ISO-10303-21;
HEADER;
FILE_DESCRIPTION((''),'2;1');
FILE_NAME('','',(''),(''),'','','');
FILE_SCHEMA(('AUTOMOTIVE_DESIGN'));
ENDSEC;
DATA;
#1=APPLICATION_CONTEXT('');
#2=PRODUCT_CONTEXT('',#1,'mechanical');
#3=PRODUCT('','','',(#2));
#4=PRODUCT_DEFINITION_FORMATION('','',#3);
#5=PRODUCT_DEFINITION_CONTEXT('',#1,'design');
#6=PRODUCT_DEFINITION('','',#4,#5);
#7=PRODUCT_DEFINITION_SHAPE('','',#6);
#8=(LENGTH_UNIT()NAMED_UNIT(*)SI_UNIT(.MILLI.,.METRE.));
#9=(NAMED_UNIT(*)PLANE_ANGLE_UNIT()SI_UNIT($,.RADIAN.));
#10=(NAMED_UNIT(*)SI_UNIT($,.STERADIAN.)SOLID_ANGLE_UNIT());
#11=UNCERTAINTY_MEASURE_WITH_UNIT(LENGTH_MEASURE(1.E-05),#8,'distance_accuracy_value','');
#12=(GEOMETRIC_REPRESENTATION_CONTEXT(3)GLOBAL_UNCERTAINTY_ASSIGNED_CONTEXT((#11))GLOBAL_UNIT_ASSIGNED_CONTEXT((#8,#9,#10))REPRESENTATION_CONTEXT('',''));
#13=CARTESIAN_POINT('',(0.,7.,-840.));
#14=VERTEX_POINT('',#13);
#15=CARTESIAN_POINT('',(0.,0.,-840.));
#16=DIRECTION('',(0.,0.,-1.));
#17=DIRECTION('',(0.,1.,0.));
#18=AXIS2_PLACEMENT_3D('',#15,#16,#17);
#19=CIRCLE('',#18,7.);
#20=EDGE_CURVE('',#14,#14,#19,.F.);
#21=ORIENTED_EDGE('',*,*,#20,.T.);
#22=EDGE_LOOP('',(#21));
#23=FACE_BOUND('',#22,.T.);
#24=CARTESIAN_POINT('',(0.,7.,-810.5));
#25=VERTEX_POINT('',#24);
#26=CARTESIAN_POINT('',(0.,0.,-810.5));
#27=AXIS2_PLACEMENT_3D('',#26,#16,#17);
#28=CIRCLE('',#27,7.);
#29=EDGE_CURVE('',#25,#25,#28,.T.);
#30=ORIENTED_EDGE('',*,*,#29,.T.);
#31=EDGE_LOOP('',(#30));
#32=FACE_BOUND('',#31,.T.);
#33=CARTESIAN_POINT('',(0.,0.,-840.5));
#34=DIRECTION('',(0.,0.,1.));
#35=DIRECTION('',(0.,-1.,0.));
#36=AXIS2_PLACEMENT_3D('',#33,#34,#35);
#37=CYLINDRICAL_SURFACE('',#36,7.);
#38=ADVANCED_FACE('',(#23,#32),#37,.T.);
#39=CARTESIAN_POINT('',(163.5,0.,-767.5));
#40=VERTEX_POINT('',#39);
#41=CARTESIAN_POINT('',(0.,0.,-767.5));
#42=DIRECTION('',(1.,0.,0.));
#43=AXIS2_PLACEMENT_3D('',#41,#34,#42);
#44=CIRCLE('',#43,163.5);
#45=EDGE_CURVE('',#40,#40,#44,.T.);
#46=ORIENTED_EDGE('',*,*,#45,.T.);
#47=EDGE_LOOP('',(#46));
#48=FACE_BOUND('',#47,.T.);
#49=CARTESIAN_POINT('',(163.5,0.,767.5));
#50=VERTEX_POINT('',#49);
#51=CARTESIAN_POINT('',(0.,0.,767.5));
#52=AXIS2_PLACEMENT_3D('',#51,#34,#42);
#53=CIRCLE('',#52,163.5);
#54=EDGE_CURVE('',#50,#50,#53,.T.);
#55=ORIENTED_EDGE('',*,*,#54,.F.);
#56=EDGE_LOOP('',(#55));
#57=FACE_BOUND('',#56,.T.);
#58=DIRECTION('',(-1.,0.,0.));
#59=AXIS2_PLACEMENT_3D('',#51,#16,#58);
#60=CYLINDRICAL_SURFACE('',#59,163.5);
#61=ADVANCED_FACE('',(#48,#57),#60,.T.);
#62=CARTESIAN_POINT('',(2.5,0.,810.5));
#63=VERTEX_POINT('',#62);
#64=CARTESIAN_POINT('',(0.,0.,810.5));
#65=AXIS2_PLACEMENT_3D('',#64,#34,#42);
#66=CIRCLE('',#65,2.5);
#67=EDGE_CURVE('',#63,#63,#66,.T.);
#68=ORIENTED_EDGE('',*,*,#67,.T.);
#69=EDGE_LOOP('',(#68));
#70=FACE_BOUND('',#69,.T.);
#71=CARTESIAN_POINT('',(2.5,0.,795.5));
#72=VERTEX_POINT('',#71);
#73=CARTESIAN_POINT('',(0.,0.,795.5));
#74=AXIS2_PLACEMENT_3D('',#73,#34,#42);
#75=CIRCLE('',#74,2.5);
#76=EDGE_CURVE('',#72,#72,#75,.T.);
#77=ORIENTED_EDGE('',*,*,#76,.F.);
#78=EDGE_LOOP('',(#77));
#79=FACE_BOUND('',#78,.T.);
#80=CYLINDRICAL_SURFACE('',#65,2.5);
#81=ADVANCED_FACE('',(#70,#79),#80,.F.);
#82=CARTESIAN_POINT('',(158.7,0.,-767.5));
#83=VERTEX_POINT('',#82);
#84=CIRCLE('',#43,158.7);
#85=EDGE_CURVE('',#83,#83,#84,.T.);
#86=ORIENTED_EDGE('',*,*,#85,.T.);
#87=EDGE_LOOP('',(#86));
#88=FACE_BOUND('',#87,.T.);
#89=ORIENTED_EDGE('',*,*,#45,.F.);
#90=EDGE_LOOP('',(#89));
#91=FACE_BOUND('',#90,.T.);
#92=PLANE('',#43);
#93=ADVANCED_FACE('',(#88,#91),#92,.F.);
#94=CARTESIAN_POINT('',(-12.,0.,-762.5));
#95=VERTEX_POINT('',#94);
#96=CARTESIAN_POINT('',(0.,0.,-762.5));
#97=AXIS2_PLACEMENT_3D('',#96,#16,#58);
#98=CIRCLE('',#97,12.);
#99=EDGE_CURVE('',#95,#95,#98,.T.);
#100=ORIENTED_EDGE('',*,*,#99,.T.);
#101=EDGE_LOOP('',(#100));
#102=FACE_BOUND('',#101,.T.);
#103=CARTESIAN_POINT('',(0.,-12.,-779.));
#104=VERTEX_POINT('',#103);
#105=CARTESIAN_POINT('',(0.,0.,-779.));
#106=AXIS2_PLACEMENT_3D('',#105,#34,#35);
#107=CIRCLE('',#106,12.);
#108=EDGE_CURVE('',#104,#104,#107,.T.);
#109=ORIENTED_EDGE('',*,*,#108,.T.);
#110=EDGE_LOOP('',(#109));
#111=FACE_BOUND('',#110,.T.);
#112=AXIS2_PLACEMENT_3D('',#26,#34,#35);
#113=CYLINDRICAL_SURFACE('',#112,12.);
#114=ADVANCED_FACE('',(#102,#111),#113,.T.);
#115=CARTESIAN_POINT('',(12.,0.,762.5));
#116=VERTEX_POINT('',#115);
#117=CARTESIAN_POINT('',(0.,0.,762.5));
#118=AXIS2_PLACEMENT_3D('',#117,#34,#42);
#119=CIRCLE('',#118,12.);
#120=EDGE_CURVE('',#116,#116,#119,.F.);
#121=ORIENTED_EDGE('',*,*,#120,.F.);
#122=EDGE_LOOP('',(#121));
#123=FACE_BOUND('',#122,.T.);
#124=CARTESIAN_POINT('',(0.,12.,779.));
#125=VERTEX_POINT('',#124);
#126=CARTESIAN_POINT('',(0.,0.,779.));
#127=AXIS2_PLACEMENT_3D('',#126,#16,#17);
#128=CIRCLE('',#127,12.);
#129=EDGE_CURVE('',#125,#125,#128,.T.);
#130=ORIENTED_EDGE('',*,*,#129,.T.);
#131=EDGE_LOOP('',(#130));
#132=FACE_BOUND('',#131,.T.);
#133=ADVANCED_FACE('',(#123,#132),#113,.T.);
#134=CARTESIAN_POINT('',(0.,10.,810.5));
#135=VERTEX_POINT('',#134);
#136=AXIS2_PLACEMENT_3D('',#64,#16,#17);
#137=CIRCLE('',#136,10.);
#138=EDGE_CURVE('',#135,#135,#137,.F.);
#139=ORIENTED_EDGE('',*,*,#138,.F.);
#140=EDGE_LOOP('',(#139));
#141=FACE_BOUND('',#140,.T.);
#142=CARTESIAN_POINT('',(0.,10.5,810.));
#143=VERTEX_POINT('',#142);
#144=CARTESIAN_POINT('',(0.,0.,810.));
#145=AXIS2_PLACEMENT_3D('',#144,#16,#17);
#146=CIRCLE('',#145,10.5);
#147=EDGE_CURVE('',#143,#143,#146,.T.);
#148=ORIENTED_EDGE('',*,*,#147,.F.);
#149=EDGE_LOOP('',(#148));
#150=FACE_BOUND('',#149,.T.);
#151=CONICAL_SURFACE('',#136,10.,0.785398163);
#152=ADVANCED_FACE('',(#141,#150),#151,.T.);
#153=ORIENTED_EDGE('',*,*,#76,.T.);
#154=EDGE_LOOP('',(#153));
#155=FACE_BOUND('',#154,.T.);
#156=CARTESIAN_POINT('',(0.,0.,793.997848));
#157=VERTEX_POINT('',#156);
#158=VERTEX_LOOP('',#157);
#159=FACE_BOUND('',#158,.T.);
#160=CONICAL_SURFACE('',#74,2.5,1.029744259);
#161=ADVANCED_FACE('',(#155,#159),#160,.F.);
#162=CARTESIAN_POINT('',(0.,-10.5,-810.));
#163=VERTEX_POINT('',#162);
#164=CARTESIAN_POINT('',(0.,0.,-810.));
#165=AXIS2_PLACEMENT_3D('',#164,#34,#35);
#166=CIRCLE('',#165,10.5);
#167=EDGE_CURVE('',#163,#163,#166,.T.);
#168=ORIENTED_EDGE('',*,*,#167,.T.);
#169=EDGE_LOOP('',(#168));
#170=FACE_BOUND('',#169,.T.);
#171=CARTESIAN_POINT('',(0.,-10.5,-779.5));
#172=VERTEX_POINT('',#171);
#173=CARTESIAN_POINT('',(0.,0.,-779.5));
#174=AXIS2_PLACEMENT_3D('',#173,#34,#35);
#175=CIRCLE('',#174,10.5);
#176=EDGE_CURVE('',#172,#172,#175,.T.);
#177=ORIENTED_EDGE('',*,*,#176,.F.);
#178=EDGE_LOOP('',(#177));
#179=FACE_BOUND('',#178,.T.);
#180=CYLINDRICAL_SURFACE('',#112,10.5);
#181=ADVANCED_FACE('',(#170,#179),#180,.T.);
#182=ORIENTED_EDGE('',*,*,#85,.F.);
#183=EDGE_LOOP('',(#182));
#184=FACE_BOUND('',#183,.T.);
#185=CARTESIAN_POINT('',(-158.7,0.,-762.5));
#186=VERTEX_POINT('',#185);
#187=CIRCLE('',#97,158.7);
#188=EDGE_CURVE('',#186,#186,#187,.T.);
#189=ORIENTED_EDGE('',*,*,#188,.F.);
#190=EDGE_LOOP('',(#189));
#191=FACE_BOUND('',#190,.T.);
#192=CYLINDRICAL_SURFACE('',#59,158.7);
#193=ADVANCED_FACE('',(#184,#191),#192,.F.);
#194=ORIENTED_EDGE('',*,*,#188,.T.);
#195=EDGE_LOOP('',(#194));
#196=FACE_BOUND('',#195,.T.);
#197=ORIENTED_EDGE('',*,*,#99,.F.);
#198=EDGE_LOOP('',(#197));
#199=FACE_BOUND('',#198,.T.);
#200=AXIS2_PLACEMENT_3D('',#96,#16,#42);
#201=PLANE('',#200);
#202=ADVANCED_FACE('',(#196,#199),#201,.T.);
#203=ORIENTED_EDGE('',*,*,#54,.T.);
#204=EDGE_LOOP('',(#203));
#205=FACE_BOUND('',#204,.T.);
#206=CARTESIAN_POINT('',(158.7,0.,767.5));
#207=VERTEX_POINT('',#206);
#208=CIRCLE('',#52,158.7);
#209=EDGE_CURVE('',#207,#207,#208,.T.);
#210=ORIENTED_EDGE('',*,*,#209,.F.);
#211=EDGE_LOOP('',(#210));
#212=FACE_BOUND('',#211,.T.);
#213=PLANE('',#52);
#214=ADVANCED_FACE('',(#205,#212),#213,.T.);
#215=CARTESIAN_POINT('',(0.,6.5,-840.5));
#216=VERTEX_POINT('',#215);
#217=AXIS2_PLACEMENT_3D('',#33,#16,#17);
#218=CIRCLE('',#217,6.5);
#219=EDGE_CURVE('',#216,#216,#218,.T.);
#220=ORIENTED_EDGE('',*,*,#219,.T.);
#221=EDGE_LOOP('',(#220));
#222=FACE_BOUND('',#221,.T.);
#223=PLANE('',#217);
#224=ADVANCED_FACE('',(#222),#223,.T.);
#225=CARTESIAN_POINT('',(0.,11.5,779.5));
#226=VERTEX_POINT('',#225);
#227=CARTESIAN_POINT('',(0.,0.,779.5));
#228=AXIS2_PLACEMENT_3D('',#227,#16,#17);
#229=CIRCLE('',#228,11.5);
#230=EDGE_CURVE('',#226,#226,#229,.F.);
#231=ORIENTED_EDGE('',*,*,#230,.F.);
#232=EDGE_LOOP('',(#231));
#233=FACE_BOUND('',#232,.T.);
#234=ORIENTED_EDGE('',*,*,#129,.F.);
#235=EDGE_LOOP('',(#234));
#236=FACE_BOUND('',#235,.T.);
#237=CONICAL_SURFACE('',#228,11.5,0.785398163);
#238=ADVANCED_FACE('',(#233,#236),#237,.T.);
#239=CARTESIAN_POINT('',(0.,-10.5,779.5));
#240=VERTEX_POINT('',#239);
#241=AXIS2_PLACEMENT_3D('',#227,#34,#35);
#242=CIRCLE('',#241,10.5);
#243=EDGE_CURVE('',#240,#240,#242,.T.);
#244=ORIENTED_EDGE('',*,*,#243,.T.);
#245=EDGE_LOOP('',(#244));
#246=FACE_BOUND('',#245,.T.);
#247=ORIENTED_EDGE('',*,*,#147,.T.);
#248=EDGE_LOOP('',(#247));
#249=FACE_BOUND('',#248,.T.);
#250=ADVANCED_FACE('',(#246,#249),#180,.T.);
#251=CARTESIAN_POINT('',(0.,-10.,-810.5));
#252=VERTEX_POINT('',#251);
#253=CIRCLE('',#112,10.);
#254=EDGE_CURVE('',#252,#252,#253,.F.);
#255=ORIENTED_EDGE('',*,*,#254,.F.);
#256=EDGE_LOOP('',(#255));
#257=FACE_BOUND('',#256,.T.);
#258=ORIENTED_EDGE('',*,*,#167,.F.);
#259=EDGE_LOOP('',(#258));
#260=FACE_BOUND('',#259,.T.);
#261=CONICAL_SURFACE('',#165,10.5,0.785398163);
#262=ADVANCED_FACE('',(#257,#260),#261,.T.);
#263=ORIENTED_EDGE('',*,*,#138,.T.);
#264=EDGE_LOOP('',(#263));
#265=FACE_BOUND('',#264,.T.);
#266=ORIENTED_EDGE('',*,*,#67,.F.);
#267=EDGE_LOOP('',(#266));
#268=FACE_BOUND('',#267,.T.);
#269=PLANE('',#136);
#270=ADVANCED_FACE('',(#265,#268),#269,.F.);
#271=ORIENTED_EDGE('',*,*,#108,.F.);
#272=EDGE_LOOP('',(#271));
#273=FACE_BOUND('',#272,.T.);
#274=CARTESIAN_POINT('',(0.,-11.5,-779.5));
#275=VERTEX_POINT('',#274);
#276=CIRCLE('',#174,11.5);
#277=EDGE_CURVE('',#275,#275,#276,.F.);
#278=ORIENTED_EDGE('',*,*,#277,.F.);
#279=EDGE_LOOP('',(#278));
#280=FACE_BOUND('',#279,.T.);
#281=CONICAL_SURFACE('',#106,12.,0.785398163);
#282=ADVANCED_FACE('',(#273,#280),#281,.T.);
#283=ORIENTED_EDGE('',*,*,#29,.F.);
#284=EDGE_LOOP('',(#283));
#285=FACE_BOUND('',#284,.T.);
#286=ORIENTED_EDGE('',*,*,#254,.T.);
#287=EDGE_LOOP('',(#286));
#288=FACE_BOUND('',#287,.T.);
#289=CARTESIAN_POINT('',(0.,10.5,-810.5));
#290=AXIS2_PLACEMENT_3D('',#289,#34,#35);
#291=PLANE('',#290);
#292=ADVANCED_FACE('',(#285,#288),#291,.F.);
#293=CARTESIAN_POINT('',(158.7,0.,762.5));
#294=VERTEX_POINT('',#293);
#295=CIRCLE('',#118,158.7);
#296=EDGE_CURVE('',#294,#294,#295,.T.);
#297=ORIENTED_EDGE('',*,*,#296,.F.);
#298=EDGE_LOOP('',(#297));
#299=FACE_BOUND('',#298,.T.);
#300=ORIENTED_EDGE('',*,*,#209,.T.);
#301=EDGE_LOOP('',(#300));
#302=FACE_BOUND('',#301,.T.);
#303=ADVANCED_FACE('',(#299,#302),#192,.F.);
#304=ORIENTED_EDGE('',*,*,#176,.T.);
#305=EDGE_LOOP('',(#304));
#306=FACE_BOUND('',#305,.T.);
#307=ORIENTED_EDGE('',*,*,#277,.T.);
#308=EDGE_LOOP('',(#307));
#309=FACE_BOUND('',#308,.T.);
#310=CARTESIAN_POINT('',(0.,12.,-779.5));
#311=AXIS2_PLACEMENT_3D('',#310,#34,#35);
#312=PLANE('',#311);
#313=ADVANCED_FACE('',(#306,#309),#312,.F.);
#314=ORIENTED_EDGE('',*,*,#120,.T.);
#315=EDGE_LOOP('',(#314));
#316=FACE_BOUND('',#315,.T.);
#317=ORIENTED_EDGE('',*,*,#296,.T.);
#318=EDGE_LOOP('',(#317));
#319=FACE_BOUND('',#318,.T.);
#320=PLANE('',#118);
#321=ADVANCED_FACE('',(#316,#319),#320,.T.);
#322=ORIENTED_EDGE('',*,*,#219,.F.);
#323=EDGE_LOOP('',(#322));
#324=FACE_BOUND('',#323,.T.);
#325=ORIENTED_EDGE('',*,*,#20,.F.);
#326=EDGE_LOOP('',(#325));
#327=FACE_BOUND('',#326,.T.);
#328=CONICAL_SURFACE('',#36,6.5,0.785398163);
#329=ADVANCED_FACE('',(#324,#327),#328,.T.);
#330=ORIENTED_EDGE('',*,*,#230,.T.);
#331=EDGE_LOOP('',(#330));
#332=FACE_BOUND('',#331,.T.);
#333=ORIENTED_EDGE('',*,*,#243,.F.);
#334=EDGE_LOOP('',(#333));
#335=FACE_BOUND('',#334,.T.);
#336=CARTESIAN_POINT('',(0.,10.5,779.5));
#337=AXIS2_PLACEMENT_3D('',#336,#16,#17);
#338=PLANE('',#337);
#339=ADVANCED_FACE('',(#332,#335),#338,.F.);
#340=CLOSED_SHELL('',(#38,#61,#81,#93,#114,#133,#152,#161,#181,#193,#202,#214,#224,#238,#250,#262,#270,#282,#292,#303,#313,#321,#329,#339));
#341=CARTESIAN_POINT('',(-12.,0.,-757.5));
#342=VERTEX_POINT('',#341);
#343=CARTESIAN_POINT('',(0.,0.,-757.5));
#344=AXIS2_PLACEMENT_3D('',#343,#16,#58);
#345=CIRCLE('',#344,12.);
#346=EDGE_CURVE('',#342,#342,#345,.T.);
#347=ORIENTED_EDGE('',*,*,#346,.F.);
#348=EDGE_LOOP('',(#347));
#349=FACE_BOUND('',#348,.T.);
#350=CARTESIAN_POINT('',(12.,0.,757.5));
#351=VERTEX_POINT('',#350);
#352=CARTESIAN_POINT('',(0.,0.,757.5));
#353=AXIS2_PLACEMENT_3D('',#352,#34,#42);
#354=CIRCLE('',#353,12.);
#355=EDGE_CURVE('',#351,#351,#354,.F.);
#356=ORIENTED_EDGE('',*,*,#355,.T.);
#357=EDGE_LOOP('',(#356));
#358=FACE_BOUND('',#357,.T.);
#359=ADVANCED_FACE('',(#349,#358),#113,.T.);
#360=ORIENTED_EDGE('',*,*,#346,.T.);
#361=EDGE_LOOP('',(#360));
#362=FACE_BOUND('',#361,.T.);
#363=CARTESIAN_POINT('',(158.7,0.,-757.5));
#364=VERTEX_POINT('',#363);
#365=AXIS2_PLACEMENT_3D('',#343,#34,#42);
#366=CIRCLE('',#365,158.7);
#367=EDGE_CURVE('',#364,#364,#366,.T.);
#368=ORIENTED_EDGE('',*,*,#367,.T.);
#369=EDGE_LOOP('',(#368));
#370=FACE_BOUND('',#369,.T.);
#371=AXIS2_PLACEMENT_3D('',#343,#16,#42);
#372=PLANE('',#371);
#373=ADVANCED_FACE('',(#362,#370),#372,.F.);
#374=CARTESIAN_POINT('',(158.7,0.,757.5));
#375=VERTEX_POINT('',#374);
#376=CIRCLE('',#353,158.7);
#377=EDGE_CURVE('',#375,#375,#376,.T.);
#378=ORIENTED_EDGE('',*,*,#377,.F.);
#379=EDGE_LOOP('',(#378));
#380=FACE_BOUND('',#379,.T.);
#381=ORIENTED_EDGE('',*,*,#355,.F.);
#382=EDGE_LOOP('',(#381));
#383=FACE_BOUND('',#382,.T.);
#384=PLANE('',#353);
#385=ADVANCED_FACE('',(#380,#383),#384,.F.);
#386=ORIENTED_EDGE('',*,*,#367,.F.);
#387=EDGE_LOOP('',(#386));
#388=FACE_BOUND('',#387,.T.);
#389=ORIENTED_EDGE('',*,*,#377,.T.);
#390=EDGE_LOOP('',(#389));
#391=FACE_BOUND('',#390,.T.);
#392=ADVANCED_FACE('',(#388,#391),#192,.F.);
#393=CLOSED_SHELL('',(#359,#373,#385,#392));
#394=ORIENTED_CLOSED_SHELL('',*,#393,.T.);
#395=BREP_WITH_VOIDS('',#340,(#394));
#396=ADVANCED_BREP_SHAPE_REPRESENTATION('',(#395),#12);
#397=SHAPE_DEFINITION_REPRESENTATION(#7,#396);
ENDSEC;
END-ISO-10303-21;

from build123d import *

# Parameters (mm, degrees)
SKETCH1_R             = 163.5
SKETCH1_R_2           = 158.7
BOSS_EXTRUDE1_DEPTH   = 767.5
BOSS_EXTRUDE2_START   = -10
SKETCH2_R             = 158.7
BOSS_EXTRUDE2_DEPTH   = 5
CHAMFER1_SIZE         = 0.5
M6_TAPPED_HOLE1_D     = 5
M6_TAPPED_HOLE1_DEPTH = 15
M6_TAPPED_HOLE1_TIP   = 1.502151548
SKETCH8_R             = 7
BOSS_EXTRUDE3_DEPTH   = 30
CHAMFER2_SIZE         = 0.5


with BuildPart() as part:
    # Sketch1 → Boss-Extrude1 (new, symmetric)
    with BuildSketch(Plane.XY):
        Circle(SKETCH1_R)
        Circle(SKETCH1_R_2, mode=Mode.SUBTRACT)
    extrude(amount=BOSS_EXTRUDE1_DEPTH, both=True)

    # Sketch2 → Boss-Extrude2 (add)
    with BuildSketch(Plane.XY.offset(767.5).offset(BOSS_EXTRUDE2_START)):
        Circle(SKETCH2_R)
    boss_extrude2 = extrude(amount=BOSS_EXTRUDE2_DEPTH)

    # Sketch5 → Revolve1 (revolve)
    with BuildSketch(Plane(origin=(0, 0, 0), x_dir=(0, 0, -1), z_dir=(1, 0, 0)), mode=Mode.PRIVATE) as revolve1_sk:
        Polygon((-779.5, 12), (779.5, 12), (779.5, 10.5), (810.5, 10.5), (810.5, 0), (-810.5, 0), (-810.5, 10.5), (-779.5, 10.5), align=None)
    revolve(revolve1_sk.sketch.rotate(Axis((0, 0, -810.5), (0, 0, -1)), 180), axis=Axis((0, 0, -810.5), (0, 0, -1)))

    # Chamfer1
    chamfer1_edges = [part.edges().sort_by_distance(p)[0] for p in [
        (0, 12, -779.5),
        (0, 12, 779.5),
        (0, 10.5, -810.5),
        (0, 10.5, 810.5),
    ]]
    chamfer(chamfer1_edges, length=CHAMFER1_SIZE)

    # M6 Tapped Hole1
    with Locations(Plane.XY.offset(810.5)):
        with Locations((0, 0)):
            Hole(M6_TAPPED_HOLE1_D / 2, depth=M6_TAPPED_HOLE1_DEPTH)
            with Locations((0, 0, -(M6_TAPPED_HOLE1_DEPTH + M6_TAPPED_HOLE1_TIP / 2))):  # 118° drill point
                Cone(0, M6_TAPPED_HOLE1_D / 2, M6_TAPPED_HOLE1_TIP, mode=Mode.SUBTRACT)

    # Mirror3: Boss-Extrude2 across plane
    add(boss_extrude2.mirror(Plane.XY))

    # Sketch8 → Boss-Extrude3 (add)
    with BuildSketch(Plane(origin=(0, 0, -810.5), x_dir=(-1, 0, 0), z_dir=(0, 0, -1))):
        with Locations(Location((0, 0, 0), (0, 0, 90))):
            Circle(SKETCH8_R)
    extrude(amount=BOSS_EXTRUDE3_DEPTH)

    # Chamfer2
    chamfer2_edges = [part.edges().sort_by_distance(p)[0] for p in [
        (0, -7, -840.5),
    ]]
    chamfer(chamfer2_edges, length=CHAMFER2_SIZE)


solid = part.part
